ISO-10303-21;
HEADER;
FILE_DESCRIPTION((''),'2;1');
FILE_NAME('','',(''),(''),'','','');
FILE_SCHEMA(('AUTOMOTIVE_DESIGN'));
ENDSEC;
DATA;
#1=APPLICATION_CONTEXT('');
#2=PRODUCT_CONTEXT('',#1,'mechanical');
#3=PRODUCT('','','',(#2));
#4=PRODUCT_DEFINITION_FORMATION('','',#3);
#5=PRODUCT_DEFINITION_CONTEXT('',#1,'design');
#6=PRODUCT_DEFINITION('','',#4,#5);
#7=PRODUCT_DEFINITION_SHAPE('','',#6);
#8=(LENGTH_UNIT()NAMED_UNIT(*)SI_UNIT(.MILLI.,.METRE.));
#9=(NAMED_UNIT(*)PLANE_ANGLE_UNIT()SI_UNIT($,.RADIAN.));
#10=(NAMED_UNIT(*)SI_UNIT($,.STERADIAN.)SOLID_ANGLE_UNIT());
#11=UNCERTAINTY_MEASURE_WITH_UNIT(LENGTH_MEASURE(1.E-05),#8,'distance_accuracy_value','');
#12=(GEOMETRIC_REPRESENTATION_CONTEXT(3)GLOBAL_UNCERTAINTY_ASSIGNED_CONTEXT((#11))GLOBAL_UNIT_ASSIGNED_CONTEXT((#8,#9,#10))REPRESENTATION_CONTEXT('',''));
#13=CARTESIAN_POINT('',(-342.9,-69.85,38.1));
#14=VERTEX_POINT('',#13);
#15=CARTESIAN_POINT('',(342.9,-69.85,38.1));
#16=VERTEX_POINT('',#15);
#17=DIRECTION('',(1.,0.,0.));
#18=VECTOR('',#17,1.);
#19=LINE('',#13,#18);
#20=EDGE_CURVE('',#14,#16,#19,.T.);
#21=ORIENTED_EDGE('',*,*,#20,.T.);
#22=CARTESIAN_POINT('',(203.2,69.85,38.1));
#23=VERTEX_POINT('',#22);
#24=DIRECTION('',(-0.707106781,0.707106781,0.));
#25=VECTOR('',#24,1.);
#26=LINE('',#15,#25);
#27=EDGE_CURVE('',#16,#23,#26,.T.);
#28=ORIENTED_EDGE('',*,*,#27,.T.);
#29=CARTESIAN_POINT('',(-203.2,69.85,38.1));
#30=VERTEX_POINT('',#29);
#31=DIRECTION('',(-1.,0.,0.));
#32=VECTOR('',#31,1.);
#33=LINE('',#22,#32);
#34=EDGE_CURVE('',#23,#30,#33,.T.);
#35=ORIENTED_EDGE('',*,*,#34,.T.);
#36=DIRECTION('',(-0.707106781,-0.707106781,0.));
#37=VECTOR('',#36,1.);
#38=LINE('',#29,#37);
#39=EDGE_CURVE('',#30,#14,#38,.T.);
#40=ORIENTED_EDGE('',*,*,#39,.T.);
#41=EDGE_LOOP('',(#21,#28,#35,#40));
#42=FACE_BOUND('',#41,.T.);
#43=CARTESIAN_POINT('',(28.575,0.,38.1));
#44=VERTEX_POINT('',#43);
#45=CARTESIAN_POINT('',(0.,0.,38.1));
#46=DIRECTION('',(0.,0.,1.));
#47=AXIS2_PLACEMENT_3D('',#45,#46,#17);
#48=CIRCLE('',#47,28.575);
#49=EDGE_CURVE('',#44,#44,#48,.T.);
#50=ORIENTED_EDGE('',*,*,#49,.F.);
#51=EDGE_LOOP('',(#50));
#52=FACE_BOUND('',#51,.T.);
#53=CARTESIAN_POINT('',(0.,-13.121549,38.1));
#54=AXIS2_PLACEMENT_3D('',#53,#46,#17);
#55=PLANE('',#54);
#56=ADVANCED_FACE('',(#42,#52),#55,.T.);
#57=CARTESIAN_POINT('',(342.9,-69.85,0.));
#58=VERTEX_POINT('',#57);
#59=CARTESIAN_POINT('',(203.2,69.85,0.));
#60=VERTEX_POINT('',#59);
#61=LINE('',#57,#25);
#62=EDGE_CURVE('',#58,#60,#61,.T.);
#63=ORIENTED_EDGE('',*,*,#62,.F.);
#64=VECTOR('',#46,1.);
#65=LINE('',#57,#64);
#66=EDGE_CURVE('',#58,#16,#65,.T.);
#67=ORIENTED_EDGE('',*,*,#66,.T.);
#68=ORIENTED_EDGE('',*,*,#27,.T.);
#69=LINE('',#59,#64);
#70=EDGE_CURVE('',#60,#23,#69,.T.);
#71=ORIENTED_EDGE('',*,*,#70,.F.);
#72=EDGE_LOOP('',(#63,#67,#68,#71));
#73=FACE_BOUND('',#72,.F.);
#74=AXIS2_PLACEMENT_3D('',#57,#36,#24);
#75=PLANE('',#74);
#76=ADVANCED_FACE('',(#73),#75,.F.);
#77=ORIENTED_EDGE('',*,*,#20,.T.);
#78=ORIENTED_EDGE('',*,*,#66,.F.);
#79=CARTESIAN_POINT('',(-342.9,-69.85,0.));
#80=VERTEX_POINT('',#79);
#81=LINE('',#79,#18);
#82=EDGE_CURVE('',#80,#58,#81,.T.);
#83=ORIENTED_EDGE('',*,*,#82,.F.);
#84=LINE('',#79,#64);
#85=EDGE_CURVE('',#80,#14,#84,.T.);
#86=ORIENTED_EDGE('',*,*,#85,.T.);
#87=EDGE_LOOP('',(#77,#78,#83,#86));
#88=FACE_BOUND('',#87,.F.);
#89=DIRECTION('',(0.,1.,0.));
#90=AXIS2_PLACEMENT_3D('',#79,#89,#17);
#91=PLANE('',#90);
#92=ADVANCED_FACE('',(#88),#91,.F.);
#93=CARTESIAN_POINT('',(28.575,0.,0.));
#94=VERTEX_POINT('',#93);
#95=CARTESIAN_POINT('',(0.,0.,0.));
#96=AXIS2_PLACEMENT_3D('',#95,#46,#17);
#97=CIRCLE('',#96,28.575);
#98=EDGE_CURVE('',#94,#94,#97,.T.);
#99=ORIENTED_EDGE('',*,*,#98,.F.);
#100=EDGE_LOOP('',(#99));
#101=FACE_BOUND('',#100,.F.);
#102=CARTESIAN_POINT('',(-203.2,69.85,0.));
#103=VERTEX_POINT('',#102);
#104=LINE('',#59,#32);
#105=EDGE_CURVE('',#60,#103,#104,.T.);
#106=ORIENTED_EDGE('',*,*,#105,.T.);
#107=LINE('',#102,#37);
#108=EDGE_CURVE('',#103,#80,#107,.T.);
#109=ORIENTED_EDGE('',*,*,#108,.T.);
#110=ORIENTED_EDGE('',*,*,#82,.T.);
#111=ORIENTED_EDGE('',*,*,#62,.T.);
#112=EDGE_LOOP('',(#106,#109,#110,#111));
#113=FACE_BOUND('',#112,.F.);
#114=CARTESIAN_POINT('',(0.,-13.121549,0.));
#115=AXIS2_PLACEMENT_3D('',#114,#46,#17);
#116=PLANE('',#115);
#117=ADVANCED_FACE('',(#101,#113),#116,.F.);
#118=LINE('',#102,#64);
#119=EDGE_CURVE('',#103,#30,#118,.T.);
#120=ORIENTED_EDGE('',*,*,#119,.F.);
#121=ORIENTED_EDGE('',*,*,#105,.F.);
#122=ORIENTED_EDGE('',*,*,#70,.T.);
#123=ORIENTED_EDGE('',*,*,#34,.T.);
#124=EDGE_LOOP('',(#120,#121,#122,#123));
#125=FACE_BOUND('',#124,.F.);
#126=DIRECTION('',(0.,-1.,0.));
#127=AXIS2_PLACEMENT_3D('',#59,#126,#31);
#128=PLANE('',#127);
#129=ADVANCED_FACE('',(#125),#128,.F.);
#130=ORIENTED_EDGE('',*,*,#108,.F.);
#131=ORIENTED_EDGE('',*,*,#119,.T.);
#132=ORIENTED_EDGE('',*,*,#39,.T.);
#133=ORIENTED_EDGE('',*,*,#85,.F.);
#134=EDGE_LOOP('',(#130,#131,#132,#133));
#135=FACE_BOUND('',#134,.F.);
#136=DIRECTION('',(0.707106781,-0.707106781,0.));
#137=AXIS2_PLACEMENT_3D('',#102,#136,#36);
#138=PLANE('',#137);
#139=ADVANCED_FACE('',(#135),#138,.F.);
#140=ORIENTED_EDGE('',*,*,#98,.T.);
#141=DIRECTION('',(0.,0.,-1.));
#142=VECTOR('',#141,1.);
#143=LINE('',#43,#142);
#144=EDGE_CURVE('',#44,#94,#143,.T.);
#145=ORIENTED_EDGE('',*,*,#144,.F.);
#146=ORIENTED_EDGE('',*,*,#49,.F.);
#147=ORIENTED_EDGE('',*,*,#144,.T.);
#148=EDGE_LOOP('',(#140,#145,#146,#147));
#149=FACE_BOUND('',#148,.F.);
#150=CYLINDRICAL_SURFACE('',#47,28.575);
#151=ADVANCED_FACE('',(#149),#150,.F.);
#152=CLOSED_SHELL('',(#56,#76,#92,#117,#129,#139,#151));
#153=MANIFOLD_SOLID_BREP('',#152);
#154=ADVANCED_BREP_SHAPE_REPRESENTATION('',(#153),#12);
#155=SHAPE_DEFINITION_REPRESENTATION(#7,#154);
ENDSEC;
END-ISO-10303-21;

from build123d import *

# Parameters (mm, degrees)
F1_DEPTH = 38.1
F2_R     = 28.575
F3_DEPTH = 38.101


with BuildPart() as f1:
    # F0 (on Top) → F1 (new body)
    with BuildSketch(Plane.XY):
        Polygon((342.9, -69.85), (203.2, 69.85), (-203.2, 69.85), (-342.9, -69.85), align=None)
    extrude(amount=F1_DEPTH)

    # F2 (on face) → F3 (cut, through all)
    with BuildSketch(Plane.XY.offset(38.1)):
        Circle(F2_R)
    extrude(amount=-F3_DEPTH, mode=Mode.SUBTRACT)


solid = f1.part
